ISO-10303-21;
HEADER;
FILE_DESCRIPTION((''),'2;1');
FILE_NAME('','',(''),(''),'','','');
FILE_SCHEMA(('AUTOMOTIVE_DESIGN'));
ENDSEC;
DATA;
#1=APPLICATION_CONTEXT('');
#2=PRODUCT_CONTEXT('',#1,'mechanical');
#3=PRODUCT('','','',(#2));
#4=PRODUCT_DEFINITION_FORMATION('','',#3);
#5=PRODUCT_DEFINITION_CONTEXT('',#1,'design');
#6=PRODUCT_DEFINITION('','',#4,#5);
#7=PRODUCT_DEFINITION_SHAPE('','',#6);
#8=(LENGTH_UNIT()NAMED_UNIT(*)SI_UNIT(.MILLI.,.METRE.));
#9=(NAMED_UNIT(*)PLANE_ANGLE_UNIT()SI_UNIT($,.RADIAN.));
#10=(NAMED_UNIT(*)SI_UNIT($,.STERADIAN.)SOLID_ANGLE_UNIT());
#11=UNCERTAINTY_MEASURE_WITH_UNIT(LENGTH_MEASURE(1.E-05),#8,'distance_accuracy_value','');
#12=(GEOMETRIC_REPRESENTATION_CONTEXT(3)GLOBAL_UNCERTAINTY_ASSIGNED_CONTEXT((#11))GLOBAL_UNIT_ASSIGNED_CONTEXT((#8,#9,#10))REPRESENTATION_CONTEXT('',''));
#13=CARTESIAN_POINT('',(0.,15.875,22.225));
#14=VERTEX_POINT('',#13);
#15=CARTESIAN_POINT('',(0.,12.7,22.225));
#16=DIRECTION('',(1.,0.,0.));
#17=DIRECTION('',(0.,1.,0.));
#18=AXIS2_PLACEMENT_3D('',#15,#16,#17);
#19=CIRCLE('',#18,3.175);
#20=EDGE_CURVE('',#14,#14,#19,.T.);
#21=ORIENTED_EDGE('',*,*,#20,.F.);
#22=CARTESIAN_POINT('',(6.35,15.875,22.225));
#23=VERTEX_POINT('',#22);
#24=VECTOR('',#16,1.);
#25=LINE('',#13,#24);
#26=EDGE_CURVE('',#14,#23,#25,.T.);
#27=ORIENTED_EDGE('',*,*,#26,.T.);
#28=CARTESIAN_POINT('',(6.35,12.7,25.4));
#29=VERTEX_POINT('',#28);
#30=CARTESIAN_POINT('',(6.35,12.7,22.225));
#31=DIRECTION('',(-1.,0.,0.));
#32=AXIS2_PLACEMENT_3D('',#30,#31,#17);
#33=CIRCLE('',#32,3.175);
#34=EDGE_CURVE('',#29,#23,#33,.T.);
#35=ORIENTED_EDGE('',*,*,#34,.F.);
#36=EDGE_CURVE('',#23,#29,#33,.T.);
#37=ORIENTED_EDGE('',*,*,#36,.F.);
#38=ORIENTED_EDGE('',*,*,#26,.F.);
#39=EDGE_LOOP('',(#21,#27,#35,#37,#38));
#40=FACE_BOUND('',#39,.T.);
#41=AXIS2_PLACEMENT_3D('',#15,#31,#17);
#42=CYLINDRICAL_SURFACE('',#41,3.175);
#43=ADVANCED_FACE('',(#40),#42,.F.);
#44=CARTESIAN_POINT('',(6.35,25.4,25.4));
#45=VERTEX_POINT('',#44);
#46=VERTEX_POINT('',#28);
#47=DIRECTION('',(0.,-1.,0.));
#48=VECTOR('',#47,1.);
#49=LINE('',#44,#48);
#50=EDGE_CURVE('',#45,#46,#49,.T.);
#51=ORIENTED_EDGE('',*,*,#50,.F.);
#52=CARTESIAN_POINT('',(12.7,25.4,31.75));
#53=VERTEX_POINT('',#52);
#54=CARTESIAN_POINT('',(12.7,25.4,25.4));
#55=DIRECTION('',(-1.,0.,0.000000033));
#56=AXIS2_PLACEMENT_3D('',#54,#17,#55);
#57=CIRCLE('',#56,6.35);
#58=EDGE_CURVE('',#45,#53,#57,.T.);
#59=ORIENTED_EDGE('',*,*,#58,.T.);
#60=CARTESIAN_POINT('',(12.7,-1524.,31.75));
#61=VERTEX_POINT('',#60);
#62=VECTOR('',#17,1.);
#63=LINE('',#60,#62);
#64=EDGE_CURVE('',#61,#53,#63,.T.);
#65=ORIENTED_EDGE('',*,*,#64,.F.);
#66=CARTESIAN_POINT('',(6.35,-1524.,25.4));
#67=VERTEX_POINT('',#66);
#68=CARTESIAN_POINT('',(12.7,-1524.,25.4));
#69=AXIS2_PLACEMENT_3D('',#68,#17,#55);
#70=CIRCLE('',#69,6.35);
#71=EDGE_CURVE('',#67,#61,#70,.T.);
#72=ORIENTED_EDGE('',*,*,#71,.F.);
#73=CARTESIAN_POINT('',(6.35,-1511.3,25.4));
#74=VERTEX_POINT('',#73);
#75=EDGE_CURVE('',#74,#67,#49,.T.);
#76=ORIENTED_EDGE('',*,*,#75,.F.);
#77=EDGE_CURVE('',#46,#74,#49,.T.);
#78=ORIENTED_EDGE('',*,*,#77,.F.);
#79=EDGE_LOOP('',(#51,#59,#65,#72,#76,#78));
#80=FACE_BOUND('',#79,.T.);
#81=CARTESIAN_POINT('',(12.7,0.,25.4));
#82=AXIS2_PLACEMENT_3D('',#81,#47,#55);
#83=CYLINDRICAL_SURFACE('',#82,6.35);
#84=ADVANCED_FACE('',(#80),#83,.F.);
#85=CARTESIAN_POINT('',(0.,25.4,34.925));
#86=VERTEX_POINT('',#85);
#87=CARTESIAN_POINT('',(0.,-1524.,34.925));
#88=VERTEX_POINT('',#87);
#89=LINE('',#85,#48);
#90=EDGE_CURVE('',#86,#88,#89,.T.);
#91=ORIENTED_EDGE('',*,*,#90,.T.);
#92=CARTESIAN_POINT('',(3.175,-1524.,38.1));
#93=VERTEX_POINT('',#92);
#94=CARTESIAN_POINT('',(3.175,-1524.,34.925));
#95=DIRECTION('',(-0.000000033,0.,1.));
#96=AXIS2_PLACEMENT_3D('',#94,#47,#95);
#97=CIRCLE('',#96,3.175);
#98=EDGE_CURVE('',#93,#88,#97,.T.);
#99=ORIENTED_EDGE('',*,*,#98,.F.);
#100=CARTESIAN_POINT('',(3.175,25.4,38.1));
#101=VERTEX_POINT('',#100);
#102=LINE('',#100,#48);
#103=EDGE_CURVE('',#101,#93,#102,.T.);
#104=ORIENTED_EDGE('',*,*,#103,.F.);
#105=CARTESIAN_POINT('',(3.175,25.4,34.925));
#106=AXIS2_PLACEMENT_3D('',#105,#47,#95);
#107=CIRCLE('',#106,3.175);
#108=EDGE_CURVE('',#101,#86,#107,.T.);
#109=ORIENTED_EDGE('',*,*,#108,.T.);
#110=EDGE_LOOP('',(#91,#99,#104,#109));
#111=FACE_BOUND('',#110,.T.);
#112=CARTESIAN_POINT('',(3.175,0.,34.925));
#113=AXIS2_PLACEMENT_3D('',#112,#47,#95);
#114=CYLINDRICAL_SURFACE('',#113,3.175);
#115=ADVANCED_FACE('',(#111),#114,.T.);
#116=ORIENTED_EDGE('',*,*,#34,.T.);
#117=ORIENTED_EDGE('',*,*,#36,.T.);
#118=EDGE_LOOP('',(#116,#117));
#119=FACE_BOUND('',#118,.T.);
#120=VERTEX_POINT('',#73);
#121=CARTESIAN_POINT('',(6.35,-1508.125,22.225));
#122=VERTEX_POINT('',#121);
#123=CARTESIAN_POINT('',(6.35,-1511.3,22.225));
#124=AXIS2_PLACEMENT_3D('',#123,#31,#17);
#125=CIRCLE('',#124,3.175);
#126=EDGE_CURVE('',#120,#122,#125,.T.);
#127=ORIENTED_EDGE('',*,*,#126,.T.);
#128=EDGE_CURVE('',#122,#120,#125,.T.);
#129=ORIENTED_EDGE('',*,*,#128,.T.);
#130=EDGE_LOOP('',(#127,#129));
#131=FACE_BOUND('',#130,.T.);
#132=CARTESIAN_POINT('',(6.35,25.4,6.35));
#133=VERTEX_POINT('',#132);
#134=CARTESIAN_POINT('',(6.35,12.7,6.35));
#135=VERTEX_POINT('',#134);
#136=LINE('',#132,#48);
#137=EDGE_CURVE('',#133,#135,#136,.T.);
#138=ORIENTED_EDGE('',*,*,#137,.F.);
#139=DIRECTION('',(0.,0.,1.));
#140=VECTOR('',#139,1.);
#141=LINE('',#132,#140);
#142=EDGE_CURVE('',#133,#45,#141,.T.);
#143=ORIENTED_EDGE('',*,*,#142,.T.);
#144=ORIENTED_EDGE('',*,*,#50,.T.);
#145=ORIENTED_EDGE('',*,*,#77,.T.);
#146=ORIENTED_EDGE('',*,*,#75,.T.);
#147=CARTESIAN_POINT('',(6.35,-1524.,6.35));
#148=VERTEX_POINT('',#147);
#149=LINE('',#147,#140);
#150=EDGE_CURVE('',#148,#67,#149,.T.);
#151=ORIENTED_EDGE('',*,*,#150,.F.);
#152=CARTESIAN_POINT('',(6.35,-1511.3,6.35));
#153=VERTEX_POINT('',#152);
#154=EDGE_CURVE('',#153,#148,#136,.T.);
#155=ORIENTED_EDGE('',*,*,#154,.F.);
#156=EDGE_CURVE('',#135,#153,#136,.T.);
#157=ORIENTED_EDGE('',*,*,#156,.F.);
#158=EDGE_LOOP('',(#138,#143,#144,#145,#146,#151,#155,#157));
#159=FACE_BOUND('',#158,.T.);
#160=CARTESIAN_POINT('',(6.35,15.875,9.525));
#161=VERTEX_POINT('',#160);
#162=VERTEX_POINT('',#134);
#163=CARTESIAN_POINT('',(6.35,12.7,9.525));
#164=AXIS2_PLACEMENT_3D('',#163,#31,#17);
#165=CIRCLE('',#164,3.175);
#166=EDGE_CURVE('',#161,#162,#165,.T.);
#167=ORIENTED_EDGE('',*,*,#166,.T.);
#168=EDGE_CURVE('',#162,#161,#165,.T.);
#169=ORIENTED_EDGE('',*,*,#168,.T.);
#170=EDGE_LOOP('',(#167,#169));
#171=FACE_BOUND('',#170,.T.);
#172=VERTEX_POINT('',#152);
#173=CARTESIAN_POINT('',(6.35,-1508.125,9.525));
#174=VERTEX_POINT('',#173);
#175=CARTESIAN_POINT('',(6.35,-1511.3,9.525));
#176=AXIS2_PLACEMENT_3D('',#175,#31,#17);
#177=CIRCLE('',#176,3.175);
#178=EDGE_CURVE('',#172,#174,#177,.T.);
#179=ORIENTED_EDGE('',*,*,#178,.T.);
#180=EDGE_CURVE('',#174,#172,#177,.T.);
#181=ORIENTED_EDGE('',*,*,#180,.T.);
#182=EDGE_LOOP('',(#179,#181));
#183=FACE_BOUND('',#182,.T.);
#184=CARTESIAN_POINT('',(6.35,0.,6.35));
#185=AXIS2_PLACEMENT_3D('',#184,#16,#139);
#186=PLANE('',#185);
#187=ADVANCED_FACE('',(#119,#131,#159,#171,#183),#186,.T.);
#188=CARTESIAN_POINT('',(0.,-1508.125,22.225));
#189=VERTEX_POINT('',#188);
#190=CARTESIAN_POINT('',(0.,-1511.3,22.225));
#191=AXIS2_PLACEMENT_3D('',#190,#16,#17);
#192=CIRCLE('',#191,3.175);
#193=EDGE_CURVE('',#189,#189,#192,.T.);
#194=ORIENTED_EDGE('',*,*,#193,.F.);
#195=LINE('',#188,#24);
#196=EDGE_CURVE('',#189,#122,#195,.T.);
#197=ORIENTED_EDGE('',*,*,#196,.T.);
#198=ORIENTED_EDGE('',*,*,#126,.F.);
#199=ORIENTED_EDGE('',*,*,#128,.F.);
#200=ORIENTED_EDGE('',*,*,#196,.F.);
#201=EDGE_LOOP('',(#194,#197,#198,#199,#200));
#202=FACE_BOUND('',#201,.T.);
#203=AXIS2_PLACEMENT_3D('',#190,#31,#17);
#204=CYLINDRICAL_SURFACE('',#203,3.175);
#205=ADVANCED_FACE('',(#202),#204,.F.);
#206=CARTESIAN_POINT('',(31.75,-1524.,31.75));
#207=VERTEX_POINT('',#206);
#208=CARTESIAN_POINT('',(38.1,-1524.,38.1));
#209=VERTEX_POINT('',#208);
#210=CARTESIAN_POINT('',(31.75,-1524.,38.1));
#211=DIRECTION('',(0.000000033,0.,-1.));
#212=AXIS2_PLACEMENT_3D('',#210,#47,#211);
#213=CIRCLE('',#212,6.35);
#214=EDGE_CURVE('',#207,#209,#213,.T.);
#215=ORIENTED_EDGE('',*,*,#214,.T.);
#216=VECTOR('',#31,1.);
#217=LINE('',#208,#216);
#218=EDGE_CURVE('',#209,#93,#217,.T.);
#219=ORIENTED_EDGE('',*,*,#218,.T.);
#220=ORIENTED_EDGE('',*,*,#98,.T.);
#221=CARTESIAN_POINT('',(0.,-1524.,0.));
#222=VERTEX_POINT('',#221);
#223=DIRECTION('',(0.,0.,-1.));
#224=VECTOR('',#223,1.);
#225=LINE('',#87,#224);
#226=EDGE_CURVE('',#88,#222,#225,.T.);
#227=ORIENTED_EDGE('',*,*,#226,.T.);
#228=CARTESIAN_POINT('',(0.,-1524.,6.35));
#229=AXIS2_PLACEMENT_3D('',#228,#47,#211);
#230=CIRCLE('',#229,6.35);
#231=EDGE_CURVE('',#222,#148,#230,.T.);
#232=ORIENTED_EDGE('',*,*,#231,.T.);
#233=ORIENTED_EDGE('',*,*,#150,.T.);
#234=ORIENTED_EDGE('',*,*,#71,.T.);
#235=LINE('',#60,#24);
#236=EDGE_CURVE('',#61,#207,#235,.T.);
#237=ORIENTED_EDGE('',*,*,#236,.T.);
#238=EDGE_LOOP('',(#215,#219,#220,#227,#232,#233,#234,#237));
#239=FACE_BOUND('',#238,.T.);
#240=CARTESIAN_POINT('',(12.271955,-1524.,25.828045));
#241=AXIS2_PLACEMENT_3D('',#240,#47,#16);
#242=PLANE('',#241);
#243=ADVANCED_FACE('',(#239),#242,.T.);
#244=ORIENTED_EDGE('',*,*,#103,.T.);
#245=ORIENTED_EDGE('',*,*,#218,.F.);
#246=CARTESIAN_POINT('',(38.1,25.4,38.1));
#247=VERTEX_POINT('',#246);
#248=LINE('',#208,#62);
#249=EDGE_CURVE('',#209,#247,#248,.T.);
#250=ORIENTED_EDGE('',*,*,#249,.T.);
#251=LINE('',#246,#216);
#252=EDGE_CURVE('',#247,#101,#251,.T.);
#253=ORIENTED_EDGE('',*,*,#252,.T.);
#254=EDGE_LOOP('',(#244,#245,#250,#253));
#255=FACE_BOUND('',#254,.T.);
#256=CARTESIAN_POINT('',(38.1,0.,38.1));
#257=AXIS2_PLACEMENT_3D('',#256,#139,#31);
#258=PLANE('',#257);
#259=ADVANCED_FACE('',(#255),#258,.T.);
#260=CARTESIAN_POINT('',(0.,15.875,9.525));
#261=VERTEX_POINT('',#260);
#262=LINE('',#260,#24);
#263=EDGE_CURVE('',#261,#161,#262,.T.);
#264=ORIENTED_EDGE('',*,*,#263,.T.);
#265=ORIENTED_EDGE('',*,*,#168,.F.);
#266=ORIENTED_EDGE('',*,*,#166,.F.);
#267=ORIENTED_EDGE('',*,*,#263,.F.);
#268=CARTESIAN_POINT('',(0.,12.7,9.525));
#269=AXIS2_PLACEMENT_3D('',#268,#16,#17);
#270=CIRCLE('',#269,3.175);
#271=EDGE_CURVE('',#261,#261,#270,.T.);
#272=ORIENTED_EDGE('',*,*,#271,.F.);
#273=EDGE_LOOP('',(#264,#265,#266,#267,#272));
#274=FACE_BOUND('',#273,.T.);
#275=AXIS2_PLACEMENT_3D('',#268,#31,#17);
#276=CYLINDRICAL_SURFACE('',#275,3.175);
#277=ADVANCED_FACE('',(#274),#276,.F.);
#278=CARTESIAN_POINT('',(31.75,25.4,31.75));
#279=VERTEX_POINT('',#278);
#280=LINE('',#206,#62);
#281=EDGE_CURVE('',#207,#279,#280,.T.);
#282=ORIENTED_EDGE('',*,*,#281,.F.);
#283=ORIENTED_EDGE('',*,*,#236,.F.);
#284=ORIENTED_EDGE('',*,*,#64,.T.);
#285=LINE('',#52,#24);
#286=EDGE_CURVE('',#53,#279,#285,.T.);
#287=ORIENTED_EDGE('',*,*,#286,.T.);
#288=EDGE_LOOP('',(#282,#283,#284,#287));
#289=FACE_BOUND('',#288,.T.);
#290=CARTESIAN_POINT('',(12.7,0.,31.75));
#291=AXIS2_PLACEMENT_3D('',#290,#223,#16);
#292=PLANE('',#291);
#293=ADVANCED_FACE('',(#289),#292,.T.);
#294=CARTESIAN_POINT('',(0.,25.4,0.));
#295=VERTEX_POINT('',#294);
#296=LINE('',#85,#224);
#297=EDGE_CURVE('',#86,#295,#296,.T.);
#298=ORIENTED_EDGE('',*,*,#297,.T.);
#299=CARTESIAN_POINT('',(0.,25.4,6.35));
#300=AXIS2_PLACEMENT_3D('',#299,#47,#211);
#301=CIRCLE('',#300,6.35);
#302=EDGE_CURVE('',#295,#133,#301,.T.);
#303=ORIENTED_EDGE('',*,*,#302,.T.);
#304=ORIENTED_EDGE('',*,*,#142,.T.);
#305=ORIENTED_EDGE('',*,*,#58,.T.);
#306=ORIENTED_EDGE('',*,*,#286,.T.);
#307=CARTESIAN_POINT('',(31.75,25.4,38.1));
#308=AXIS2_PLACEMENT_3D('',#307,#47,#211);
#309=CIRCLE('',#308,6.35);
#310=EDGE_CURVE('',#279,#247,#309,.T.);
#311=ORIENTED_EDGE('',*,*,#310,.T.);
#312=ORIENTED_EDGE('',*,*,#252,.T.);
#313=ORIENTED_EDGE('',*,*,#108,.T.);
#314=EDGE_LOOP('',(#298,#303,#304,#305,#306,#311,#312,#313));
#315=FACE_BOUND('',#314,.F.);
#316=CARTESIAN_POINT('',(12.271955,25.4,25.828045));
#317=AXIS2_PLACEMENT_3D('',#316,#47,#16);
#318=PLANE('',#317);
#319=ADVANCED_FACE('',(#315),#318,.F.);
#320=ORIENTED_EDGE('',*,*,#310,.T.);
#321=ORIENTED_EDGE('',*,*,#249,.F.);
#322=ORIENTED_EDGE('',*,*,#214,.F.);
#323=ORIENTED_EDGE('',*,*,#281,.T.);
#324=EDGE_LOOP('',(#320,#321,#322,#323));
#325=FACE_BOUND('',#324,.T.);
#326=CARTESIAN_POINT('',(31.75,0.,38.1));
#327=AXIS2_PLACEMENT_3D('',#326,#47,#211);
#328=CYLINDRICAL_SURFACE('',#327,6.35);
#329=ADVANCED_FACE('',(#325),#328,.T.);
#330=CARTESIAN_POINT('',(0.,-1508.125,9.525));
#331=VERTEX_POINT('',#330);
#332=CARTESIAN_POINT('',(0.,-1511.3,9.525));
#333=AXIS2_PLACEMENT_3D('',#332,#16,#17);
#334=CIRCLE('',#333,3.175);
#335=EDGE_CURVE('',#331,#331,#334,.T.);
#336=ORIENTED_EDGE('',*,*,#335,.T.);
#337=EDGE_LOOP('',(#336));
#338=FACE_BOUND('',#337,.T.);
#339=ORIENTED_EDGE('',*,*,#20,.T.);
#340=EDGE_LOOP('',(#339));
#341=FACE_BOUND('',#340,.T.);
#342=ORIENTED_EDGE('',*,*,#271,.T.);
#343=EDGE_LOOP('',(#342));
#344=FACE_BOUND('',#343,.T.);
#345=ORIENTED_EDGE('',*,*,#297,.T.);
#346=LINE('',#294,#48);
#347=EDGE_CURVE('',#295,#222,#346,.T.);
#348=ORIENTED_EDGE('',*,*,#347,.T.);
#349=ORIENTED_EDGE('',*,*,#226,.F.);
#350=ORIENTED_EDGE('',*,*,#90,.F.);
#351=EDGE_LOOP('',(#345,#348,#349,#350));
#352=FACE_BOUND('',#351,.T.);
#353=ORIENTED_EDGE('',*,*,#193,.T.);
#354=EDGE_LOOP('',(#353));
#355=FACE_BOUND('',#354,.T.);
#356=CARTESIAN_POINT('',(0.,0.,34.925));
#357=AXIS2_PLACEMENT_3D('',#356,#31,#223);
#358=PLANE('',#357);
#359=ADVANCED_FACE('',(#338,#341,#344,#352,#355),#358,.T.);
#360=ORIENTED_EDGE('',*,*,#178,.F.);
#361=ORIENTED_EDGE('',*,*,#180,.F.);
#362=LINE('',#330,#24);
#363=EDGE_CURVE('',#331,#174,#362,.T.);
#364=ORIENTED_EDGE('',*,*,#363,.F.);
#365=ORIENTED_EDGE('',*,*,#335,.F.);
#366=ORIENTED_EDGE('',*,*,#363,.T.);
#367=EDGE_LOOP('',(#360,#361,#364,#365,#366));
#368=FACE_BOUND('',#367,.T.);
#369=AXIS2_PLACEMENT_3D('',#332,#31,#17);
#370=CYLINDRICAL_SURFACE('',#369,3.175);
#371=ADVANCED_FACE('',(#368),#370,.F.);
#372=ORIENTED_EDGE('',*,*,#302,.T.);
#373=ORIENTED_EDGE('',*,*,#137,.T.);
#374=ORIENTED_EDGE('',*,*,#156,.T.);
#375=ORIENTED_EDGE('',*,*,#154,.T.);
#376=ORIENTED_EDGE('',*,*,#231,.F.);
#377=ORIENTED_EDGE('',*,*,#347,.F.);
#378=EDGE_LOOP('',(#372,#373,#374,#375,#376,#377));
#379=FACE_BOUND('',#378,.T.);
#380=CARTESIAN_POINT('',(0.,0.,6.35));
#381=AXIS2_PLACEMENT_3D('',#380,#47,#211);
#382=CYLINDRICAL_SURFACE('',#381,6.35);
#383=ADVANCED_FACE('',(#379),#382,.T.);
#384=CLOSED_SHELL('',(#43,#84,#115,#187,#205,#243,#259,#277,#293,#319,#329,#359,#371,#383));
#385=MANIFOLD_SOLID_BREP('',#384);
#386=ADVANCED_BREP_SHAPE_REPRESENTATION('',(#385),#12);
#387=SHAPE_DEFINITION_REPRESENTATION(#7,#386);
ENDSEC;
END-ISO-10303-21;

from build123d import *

# Parameters (mm, degrees)
F1_DEPTH      = 1524
F1_DEPTH_BACK = 25.4
F2_R          = 3.175
F3_DEPTH      = 38.1


with BuildPart() as f1:
    # F0 (on Front) → F1 (new body, two sides)
    with BuildSketch(Plane.XZ) as f1_sk:
        with BuildLine():
            Line((38.1, 38.1), (3.175, 38.1))
            ThreePointArc((3.175, 38.1), (0.929936, 37.170064), (0, 34.925))
            Line((0, 34.925), (0, 0))
            ThreePointArc((0, 0), (4.490128, 1.859872), (6.35, 6.35))
            Line((6.35, 6.35), (6.35, 25.4))
            ThreePointArc((6.35, 25.4), (8.209872, 29.890128), (12.7, 31.75))
            Line((12.7, 31.75), (31.75, 31.75))
            ThreePointArc((31.75, 31.75), (36.240128, 33.609872), (38.1, 38.1))
        make_face()
    extrude(amount=F1_DEPTH)
    extrude(f1_sk.sketch, amount=-F1_DEPTH_BACK)

    # F2 (on Right) → F3 (cut)
    with BuildSketch(Plane.YZ):
        with Locations((12.7, 9.525)):
            Circle(F2_R)
        with Locations((12.7, 22.225)):
            Circle(F2_R)
        with Locations((-1511.3, 9.525)):
            Circle(F2_R)
        with Locations((-1511.3, 22.225)):
            Circle(F2_R)
    extrude(amount=F3_DEPTH, mode=Mode.SUBTRACT)


solid = f1.part
